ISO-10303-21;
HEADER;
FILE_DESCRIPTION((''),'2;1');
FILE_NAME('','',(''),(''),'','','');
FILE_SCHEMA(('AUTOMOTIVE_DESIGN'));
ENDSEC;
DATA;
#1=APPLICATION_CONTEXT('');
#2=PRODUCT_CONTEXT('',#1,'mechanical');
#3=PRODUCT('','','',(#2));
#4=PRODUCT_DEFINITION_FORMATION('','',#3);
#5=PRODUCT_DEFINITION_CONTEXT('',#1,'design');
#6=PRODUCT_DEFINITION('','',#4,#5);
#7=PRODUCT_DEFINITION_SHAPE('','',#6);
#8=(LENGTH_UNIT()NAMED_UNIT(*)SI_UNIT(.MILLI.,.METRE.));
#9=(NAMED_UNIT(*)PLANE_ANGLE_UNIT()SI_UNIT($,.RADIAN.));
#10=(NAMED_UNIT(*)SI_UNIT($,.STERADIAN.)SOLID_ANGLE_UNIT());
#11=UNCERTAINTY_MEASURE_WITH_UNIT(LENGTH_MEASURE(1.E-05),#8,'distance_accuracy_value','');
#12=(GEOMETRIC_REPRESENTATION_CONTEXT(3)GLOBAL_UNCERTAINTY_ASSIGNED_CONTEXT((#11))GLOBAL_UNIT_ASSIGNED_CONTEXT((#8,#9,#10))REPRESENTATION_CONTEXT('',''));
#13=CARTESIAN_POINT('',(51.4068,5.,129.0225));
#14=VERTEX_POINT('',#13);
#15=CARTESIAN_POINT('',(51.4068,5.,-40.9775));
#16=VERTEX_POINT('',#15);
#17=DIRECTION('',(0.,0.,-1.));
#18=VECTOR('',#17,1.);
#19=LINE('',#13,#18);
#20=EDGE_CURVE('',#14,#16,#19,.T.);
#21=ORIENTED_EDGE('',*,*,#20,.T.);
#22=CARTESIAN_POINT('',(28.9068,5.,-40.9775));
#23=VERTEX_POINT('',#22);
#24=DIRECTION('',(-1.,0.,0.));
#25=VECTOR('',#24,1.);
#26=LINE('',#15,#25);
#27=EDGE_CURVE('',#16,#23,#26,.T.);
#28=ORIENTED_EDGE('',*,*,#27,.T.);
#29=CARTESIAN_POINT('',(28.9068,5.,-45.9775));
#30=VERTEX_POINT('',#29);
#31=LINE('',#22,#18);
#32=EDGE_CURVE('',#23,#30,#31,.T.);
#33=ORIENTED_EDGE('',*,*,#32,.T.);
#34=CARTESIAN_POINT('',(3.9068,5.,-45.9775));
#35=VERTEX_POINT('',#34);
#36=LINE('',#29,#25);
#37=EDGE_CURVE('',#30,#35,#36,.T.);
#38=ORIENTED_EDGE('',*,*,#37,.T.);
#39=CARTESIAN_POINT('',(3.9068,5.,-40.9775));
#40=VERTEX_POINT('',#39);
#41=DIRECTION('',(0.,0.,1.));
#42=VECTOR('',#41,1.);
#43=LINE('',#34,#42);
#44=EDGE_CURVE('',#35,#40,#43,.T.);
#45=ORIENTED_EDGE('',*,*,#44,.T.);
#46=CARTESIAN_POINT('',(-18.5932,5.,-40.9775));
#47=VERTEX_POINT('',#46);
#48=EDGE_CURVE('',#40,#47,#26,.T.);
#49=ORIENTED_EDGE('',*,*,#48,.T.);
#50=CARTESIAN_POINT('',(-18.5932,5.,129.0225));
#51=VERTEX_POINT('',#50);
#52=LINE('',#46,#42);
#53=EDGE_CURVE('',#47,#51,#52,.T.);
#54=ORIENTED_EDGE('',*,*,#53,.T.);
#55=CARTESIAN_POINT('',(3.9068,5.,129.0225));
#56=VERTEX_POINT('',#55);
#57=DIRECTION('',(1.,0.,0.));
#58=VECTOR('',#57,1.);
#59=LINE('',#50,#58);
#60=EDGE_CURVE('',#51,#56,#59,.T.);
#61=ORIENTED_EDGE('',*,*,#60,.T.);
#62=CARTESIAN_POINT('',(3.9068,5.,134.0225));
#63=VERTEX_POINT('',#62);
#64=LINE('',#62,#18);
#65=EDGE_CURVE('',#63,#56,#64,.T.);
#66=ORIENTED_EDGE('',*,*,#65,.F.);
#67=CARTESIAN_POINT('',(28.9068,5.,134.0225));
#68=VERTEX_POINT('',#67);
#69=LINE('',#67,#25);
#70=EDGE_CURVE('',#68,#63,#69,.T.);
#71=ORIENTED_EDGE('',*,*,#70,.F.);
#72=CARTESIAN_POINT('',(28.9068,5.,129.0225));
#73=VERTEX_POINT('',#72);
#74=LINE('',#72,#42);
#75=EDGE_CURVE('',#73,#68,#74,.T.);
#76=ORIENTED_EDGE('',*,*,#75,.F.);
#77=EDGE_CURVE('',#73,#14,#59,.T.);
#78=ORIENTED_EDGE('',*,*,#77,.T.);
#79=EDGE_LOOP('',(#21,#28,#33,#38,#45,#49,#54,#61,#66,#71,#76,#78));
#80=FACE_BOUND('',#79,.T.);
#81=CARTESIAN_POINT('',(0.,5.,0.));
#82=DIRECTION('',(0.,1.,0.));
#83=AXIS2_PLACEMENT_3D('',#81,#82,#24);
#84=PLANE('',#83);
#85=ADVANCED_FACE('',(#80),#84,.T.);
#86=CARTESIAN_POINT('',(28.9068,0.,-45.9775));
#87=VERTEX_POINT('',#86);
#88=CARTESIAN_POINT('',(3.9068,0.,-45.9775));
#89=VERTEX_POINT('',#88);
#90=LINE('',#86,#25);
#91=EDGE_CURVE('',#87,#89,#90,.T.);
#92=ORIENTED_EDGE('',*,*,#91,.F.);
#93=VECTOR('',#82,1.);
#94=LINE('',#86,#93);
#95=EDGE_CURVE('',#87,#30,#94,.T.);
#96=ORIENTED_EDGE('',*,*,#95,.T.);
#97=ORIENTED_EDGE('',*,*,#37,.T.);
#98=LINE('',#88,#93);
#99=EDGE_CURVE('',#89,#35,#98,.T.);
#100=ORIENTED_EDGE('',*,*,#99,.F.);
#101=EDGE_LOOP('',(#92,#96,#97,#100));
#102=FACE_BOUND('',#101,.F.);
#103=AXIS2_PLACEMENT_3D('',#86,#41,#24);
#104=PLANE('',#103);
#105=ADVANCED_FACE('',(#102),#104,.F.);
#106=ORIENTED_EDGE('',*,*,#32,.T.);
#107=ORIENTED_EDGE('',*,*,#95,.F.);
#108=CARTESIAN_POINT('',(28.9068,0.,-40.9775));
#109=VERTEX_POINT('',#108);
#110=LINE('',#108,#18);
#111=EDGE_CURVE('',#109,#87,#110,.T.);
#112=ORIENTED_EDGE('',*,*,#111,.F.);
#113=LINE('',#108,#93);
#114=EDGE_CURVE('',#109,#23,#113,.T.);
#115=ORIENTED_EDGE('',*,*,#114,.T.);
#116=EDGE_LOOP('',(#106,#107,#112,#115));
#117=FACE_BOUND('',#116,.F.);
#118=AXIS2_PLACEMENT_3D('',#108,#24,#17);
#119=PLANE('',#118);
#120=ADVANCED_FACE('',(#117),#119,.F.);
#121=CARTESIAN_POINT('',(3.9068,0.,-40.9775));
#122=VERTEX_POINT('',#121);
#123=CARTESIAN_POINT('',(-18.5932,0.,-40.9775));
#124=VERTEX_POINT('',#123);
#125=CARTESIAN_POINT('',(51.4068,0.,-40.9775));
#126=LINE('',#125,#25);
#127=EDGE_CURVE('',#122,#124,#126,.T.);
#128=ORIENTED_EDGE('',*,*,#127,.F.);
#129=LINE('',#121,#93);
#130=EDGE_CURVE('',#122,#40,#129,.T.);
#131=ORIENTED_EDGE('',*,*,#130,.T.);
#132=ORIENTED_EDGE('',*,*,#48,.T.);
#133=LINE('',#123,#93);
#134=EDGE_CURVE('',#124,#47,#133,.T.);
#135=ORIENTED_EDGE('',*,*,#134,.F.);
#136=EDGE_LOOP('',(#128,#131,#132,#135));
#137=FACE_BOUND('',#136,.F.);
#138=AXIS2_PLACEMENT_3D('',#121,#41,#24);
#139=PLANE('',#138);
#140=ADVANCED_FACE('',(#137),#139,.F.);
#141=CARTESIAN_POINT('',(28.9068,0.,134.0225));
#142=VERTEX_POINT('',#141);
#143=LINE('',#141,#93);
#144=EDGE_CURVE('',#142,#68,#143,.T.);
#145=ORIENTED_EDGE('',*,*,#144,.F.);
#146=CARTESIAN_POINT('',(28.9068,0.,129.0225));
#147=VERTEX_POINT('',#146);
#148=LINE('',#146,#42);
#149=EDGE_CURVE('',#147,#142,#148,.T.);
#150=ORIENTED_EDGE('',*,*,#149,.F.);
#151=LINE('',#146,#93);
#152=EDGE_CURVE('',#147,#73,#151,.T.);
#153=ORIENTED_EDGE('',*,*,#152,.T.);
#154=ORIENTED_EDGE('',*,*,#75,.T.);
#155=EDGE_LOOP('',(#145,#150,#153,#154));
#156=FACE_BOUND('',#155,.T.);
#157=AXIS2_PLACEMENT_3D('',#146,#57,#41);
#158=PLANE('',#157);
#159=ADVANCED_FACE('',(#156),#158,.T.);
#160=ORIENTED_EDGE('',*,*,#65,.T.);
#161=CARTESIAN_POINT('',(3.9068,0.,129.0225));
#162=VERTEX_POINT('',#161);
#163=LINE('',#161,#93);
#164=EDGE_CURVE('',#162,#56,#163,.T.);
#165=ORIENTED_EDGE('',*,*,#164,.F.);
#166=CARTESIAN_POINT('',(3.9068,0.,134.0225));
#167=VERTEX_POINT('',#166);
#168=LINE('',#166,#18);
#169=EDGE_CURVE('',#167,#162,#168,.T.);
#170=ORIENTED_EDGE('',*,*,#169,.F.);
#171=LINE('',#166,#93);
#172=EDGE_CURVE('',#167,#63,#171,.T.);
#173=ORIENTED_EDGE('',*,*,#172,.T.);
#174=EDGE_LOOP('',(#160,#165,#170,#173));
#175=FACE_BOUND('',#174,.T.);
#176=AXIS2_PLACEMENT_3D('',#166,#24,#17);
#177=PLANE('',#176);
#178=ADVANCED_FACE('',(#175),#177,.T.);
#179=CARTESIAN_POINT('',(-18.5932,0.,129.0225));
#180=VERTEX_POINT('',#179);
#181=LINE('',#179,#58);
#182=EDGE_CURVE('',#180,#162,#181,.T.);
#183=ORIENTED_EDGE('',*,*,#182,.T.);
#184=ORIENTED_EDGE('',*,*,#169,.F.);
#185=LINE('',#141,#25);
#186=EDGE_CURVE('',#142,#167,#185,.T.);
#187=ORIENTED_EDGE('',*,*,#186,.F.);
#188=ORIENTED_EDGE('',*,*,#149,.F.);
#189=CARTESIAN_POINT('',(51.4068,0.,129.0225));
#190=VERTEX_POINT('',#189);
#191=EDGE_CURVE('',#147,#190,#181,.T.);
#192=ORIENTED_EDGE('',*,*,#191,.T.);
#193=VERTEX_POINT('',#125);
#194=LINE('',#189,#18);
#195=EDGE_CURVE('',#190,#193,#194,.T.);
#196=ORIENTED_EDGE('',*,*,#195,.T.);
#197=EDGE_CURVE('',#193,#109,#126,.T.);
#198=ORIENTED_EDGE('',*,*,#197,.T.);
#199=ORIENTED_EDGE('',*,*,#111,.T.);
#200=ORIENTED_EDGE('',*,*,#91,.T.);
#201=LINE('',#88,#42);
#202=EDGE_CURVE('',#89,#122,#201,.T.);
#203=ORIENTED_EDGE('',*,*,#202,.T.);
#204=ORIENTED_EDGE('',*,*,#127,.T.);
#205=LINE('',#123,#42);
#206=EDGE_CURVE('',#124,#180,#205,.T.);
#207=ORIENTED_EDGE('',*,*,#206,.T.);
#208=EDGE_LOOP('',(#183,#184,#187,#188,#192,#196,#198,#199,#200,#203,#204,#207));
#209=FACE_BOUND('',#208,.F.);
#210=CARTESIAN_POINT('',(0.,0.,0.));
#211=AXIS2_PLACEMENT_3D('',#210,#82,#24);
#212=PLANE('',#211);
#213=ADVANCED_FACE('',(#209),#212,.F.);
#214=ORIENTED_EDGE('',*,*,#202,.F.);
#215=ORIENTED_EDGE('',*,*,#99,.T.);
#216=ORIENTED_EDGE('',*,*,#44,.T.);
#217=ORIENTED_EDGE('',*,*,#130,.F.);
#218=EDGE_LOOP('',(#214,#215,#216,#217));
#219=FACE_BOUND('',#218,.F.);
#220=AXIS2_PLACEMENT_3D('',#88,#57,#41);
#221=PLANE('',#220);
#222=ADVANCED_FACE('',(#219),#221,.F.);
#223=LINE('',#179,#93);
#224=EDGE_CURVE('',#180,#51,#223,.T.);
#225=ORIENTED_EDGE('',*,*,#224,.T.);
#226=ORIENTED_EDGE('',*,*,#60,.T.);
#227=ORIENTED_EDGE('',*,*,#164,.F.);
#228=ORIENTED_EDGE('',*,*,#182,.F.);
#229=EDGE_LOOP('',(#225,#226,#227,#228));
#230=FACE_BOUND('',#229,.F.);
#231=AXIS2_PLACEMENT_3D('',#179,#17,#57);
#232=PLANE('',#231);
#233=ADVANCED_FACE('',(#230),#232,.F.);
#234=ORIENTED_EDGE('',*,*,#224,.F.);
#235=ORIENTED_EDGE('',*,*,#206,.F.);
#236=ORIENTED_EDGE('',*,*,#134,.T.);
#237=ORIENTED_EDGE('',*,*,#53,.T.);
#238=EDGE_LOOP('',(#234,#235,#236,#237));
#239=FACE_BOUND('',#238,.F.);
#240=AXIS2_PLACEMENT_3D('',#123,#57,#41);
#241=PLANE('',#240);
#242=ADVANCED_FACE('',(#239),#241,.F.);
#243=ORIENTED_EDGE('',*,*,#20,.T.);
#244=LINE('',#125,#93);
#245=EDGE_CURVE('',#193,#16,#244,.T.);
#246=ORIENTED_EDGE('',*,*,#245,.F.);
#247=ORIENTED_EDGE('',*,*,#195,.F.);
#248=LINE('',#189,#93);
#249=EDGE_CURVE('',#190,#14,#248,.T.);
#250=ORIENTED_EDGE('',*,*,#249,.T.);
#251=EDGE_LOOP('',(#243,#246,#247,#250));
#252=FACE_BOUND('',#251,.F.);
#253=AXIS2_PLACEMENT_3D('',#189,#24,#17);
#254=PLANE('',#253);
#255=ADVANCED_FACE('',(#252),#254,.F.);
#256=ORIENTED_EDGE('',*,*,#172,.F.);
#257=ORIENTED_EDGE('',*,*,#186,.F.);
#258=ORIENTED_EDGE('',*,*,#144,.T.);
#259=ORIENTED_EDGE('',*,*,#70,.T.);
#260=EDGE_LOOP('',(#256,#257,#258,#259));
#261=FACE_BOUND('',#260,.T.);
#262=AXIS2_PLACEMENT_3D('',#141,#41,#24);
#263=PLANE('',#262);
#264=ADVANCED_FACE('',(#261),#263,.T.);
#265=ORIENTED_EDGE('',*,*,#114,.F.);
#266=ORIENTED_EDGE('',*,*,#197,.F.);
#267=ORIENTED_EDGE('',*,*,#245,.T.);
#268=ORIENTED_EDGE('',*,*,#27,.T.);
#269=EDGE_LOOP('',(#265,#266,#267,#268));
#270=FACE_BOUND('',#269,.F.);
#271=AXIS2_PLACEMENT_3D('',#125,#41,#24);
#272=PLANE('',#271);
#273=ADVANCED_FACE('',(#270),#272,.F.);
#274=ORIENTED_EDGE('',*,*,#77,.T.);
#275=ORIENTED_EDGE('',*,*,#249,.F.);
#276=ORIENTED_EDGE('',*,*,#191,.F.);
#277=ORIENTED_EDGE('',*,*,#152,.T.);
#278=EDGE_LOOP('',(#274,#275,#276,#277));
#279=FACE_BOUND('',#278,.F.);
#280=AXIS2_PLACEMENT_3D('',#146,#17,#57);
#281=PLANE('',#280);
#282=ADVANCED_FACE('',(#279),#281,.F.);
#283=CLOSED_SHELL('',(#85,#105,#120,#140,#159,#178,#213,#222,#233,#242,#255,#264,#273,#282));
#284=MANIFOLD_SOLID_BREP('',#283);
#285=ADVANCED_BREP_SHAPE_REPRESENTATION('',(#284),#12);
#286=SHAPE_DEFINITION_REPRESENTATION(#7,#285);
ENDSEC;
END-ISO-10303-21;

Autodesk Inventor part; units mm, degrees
ref_plane "YZ Plane" through (0, 0, 0) normal (1, 0, 0) x (0, 1, 0)
ref_plane "XZ Plane" through (0, 0, 0) normal (0, 1, 0) x (-1, 0, 0)
ref_plane "XY Plane" through (0, 0, 0) normal (0, 0, 1) x (1, 0, 0)
sketch "Sketch1" plane through (0, 0, 0) normal (0, 1, 0) x (-1, 0, 0)
  line L0 (18.5932, 129.0225) -> (-51.4068, 129.0225)
  line L1 (-51.4068, 129.0225) -> (-51.4068, -40.9775)
  line L2 (-51.4068, -40.9775) -> (18.5932, -40.9775)
  line L3 (18.5932, -40.9775) -> (18.5932, 129.0225)
  line L4 (-3.9068, 129.0225) -> (-28.9068, 129.0225)
  line L5 (-28.9068, 129.0225) -> (-28.9068, 134.0225)
  line L6 (-28.9068, 134.0225) -> (-3.9068, 134.0225)
  line L7 (-3.9068, 134.0225) -> (-3.9068, 129.0225)
  line L8 (-3.9068, -40.9775) -> (-28.9068, -40.9775)
  line L9 (-28.9068, -40.9775) -> (-28.9068, -45.9775)
  line L10 (-28.9068, -45.9775) -> (-3.9068, -45.9775)
  line L11 (-3.9068, -45.9775) -> (-3.9068, -40.9775)
  point P0 (0, 0)
  dimension "d0" = 70
  dimension "d1" = 170
  dimension "d2" = 25
  dimension "d3" = 5
  dimension "d4" = 22.5
  dimension "d5" = 25
  dimension "d6" = 5
extrude "Extrusion1" add sketch "Sketch1" along normal blind 5
equation "\"d4\" = -0.5 * d2 + 0.5 * d0"
properties part number "piso medio"
